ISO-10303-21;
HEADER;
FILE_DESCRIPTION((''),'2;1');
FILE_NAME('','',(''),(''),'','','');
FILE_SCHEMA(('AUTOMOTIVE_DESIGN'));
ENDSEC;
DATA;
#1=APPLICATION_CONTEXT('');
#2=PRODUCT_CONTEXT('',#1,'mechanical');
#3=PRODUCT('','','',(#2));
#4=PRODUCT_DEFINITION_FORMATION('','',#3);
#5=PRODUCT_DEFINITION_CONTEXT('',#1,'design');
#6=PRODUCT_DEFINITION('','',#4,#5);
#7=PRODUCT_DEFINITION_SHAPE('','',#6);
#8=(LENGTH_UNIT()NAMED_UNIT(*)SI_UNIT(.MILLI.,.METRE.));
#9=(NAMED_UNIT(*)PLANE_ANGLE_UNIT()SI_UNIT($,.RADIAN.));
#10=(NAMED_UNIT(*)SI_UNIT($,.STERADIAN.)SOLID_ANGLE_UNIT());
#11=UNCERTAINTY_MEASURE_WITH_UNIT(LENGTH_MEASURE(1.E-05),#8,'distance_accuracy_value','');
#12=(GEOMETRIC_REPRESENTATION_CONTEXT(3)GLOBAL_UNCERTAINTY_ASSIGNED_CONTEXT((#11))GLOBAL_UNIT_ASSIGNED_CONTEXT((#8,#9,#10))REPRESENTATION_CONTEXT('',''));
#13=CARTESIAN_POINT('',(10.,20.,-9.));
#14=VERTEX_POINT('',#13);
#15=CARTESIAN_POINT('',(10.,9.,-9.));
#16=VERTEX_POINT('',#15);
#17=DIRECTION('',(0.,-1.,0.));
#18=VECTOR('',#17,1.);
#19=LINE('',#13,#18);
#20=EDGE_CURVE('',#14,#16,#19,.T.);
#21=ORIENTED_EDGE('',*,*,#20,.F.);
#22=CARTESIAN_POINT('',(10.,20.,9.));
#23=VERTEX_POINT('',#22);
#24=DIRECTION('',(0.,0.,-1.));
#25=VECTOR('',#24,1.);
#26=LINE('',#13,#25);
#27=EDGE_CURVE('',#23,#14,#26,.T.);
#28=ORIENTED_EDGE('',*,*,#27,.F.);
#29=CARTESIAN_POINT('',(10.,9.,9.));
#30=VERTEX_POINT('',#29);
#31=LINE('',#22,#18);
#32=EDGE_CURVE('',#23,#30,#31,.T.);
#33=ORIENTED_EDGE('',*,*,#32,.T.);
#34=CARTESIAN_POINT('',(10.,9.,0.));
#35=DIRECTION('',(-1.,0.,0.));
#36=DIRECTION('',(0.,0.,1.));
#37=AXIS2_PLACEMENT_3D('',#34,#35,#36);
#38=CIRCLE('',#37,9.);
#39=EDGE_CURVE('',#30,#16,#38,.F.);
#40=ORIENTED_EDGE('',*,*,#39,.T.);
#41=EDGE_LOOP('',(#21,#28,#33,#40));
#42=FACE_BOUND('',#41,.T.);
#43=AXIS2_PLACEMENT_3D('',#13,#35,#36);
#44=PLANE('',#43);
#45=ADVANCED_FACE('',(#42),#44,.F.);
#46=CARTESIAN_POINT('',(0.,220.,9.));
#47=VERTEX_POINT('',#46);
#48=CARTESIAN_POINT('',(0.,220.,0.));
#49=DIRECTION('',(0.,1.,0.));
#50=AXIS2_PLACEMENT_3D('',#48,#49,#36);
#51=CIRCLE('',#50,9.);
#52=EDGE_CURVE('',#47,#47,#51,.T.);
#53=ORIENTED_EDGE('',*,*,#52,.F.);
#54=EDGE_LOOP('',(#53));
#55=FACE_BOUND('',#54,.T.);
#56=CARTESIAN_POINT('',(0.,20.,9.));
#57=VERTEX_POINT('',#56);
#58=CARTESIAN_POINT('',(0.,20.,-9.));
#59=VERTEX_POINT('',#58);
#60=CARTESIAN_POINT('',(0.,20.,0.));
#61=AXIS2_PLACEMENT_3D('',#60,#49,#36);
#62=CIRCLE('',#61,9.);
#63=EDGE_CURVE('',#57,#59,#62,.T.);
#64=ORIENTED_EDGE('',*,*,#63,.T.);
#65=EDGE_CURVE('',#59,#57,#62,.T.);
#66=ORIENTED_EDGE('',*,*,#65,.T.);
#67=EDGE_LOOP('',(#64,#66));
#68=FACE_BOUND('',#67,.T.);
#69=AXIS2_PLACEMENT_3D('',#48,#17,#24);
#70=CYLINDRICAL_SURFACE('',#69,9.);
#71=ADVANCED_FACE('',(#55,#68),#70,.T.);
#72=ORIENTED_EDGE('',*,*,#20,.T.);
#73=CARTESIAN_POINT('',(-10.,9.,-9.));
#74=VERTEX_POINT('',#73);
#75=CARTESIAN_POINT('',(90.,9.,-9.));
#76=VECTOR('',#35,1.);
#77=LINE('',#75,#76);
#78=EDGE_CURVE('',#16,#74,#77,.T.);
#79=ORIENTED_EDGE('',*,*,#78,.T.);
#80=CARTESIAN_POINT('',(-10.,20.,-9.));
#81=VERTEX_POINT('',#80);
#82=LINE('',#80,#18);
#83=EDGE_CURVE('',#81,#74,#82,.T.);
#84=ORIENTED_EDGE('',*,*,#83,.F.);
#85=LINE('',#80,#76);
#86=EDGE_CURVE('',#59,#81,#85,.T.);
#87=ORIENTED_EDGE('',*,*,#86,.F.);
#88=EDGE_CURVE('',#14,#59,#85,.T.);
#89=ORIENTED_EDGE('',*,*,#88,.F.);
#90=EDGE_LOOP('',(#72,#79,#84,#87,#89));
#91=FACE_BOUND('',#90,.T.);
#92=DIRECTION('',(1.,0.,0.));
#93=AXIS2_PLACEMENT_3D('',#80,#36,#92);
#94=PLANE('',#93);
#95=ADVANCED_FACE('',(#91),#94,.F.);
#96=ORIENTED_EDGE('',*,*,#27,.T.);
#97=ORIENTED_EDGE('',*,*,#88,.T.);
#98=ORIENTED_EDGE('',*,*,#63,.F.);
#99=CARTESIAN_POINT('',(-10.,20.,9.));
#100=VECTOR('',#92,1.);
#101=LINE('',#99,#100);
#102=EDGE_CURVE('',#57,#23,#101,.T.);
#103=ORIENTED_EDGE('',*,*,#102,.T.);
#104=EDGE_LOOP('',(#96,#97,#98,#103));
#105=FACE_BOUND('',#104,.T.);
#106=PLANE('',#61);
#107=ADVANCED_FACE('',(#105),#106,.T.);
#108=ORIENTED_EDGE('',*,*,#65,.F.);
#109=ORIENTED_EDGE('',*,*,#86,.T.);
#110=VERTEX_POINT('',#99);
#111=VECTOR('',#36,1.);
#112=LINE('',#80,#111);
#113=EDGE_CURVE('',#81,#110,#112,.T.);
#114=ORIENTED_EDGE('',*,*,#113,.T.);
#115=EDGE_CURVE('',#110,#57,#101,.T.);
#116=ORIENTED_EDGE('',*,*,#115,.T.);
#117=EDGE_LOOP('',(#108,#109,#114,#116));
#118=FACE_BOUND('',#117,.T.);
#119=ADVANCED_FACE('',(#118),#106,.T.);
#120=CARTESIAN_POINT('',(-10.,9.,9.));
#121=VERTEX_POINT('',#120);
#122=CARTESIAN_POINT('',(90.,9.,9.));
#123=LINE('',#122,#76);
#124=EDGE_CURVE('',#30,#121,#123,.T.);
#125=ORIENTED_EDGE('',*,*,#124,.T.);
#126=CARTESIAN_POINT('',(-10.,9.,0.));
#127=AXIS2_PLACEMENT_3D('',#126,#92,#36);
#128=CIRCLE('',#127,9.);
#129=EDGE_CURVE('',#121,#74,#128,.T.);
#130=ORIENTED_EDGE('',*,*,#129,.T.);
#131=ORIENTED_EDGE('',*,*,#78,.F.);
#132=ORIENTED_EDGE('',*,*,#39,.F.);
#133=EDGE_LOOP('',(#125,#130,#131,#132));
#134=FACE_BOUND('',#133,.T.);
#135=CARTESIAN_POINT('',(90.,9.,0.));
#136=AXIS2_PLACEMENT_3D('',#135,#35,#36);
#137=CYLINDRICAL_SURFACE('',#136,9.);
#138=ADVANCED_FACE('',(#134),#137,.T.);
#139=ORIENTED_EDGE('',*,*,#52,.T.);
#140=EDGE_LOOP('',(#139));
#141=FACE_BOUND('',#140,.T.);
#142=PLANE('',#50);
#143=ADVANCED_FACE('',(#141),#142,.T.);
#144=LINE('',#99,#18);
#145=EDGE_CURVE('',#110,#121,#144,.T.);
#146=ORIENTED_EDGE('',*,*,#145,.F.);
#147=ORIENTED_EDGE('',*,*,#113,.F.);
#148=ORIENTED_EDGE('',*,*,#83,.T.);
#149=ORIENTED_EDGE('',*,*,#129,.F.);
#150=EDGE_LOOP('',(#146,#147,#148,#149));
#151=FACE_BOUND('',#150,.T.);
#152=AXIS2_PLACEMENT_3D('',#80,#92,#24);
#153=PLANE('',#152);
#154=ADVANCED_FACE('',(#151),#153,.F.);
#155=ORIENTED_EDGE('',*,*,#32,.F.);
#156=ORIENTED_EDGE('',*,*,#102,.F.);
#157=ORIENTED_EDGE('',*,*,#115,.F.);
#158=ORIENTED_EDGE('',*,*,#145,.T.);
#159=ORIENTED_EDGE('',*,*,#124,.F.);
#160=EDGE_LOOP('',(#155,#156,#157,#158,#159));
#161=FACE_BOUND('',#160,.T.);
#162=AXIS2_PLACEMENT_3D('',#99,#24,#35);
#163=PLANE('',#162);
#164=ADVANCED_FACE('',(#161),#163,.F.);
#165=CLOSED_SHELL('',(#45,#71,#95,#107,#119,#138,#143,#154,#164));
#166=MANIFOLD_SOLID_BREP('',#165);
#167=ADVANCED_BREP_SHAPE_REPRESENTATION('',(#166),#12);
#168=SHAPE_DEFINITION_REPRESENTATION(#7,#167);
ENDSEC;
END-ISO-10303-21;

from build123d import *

# Parameters (mm, degrees)
SKETCH_1_W          = 20
SKETCH_1_H          = 18
EXTRUDE_1_DEPTH     = 20
SKETCH_2_R          = 9
EXTRUDE_2_DEPTH     = 200
CUT_EXTRUDE_1_DEPTH = 100


with BuildPart() as part:
    # 草图1 → 凸台-拉伸1 (new body)
    with BuildSketch(Plane(origin=(0, 0, 0), x_dir=(1, 0, 0), z_dir=(0, 1, 0))):
        Rectangle(SKETCH_1_W, SKETCH_1_H)
    extrude(amount=EXTRUDE_1_DEPTH)

    # 草图2 → 凸台-拉伸2 (add)
    with BuildSketch(Plane(origin=(0, 20, 0), x_dir=(1, 0, 0), z_dir=(0, 1, 0))):
        Circle(SKETCH_2_R)
    extrude(amount=EXTRUDE_2_DEPTH)

    # 草图3 → 切除-拉伸1 (cut)
    with BuildSketch(Plane.ZY.offset(10)):
        with BuildLine():
            Line((-9, 9), (-9, -3.669557505))
            Line((-9, -3.669557505), (9, -3.669557505))
            Line((9, -3.669557505), (9, 9))
            ThreePointArc((9, 9), (0, 0), (-9, 9))
        make_face()
    extrude(amount=-CUT_EXTRUDE_1_DEPTH, mode=Mode.SUBTRACT)


solid = part.part
